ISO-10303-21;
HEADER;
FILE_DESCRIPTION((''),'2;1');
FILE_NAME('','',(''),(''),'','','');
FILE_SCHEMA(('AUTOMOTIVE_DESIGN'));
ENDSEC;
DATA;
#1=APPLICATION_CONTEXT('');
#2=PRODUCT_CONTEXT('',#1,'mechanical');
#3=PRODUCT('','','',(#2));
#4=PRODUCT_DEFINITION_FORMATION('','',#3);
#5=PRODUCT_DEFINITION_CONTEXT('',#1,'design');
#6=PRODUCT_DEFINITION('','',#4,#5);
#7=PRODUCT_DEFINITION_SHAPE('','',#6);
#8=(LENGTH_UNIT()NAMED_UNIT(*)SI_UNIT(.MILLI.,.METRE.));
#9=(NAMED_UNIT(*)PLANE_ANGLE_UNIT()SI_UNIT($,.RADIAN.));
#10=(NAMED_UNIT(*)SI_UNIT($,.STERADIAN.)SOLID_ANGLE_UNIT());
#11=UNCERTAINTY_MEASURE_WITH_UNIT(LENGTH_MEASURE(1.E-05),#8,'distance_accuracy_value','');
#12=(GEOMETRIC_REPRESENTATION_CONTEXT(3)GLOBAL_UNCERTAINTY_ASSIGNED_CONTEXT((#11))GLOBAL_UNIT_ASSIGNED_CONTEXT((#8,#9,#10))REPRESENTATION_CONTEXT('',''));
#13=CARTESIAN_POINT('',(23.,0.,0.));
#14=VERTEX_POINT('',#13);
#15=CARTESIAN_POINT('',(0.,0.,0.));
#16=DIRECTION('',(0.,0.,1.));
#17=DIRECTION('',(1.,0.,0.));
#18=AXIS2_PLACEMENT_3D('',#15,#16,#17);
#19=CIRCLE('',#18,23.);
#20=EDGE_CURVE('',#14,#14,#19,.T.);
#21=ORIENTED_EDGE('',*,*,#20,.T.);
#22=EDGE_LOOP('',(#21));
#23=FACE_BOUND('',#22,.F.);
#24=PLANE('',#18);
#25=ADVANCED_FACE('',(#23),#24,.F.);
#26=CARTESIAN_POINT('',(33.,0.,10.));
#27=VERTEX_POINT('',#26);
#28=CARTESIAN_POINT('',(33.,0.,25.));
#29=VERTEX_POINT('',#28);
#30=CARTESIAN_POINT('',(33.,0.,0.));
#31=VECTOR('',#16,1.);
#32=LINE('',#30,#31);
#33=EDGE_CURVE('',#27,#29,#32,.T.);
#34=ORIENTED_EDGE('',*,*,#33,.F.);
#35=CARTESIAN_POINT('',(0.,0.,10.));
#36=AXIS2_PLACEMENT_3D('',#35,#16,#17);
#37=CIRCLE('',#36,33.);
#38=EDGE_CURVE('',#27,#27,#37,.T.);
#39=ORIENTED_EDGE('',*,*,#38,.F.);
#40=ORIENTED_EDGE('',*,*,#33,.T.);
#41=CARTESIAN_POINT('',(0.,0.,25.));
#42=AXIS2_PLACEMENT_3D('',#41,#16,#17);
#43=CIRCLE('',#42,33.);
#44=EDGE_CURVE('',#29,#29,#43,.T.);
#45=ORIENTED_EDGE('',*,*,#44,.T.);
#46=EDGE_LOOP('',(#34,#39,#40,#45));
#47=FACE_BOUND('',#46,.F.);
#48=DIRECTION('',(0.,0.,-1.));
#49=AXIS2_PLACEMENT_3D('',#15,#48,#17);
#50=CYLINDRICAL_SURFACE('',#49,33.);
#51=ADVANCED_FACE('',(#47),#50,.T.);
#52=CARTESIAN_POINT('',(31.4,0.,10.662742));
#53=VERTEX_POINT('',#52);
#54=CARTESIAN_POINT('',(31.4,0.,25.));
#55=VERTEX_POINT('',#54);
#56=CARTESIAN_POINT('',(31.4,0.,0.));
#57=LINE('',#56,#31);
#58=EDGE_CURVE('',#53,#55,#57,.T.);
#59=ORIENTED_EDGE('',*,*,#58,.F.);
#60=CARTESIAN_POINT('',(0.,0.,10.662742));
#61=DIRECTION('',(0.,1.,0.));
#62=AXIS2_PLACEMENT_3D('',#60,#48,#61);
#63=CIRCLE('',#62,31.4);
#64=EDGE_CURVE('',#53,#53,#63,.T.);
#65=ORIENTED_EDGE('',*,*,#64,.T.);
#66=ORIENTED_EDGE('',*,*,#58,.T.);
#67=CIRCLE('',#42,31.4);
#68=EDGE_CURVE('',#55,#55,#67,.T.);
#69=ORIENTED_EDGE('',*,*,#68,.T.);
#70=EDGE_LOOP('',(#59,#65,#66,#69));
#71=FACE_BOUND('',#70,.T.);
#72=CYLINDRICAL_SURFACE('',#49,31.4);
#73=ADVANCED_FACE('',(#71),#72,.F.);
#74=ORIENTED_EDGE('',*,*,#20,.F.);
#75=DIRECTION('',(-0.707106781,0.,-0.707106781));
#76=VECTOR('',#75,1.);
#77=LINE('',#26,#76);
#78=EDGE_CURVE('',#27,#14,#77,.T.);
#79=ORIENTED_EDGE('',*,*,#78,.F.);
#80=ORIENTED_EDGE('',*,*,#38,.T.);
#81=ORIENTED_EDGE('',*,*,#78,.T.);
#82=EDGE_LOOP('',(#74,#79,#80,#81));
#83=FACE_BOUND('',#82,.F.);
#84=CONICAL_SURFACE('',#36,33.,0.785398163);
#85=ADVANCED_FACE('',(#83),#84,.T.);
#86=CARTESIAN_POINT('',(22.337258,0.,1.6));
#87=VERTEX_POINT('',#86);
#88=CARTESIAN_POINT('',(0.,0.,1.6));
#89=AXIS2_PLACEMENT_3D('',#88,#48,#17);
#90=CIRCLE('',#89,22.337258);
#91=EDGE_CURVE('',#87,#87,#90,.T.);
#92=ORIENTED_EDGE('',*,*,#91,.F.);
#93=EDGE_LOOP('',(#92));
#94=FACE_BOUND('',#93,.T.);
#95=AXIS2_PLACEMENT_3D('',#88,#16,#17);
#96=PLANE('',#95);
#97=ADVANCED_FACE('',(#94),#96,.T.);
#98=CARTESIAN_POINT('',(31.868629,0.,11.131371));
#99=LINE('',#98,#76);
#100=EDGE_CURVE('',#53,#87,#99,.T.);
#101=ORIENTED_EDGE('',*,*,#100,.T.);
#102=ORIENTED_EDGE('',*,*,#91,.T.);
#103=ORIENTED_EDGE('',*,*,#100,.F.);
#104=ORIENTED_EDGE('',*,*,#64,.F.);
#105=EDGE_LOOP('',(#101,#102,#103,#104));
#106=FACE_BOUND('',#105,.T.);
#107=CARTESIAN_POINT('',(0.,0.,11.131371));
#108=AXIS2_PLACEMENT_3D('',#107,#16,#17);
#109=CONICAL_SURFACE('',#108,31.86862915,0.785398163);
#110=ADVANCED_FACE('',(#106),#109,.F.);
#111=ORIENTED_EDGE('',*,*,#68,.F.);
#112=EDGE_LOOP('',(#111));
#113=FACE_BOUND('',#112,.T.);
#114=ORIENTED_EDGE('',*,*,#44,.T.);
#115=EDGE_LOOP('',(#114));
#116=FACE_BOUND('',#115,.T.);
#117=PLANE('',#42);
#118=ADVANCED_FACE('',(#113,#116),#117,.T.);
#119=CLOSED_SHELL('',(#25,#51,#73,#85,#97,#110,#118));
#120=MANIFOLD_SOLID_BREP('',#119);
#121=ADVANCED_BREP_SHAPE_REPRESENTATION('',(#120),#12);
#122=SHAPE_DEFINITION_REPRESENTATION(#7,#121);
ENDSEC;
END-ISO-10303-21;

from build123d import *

# Parameters (mm, degrees)
F0_R     = 33
F1_DEPTH = 25
F2_SIZE  = 10
F3_T     = -1.6


with BuildPart() as f1:
    # F0 (on Top) → F1 (new body)
    with BuildSketch(Plane.XY):
        Circle(F0_R)
    extrude(amount=F1_DEPTH)

    # F2
    f2_edges = [f1.edges().sort_by_distance(p)[0] for p in [
        (-33, 0, 0),
    ]]
    chamfer(f2_edges, length=F2_SIZE)

    # F3
    f3_openings = [f1.faces().sort_by_distance(p)[0] for p in [
        (0, 0, 25),
    ]]
    offset(amount=F3_T, openings=f3_openings)


solid = f1.part
